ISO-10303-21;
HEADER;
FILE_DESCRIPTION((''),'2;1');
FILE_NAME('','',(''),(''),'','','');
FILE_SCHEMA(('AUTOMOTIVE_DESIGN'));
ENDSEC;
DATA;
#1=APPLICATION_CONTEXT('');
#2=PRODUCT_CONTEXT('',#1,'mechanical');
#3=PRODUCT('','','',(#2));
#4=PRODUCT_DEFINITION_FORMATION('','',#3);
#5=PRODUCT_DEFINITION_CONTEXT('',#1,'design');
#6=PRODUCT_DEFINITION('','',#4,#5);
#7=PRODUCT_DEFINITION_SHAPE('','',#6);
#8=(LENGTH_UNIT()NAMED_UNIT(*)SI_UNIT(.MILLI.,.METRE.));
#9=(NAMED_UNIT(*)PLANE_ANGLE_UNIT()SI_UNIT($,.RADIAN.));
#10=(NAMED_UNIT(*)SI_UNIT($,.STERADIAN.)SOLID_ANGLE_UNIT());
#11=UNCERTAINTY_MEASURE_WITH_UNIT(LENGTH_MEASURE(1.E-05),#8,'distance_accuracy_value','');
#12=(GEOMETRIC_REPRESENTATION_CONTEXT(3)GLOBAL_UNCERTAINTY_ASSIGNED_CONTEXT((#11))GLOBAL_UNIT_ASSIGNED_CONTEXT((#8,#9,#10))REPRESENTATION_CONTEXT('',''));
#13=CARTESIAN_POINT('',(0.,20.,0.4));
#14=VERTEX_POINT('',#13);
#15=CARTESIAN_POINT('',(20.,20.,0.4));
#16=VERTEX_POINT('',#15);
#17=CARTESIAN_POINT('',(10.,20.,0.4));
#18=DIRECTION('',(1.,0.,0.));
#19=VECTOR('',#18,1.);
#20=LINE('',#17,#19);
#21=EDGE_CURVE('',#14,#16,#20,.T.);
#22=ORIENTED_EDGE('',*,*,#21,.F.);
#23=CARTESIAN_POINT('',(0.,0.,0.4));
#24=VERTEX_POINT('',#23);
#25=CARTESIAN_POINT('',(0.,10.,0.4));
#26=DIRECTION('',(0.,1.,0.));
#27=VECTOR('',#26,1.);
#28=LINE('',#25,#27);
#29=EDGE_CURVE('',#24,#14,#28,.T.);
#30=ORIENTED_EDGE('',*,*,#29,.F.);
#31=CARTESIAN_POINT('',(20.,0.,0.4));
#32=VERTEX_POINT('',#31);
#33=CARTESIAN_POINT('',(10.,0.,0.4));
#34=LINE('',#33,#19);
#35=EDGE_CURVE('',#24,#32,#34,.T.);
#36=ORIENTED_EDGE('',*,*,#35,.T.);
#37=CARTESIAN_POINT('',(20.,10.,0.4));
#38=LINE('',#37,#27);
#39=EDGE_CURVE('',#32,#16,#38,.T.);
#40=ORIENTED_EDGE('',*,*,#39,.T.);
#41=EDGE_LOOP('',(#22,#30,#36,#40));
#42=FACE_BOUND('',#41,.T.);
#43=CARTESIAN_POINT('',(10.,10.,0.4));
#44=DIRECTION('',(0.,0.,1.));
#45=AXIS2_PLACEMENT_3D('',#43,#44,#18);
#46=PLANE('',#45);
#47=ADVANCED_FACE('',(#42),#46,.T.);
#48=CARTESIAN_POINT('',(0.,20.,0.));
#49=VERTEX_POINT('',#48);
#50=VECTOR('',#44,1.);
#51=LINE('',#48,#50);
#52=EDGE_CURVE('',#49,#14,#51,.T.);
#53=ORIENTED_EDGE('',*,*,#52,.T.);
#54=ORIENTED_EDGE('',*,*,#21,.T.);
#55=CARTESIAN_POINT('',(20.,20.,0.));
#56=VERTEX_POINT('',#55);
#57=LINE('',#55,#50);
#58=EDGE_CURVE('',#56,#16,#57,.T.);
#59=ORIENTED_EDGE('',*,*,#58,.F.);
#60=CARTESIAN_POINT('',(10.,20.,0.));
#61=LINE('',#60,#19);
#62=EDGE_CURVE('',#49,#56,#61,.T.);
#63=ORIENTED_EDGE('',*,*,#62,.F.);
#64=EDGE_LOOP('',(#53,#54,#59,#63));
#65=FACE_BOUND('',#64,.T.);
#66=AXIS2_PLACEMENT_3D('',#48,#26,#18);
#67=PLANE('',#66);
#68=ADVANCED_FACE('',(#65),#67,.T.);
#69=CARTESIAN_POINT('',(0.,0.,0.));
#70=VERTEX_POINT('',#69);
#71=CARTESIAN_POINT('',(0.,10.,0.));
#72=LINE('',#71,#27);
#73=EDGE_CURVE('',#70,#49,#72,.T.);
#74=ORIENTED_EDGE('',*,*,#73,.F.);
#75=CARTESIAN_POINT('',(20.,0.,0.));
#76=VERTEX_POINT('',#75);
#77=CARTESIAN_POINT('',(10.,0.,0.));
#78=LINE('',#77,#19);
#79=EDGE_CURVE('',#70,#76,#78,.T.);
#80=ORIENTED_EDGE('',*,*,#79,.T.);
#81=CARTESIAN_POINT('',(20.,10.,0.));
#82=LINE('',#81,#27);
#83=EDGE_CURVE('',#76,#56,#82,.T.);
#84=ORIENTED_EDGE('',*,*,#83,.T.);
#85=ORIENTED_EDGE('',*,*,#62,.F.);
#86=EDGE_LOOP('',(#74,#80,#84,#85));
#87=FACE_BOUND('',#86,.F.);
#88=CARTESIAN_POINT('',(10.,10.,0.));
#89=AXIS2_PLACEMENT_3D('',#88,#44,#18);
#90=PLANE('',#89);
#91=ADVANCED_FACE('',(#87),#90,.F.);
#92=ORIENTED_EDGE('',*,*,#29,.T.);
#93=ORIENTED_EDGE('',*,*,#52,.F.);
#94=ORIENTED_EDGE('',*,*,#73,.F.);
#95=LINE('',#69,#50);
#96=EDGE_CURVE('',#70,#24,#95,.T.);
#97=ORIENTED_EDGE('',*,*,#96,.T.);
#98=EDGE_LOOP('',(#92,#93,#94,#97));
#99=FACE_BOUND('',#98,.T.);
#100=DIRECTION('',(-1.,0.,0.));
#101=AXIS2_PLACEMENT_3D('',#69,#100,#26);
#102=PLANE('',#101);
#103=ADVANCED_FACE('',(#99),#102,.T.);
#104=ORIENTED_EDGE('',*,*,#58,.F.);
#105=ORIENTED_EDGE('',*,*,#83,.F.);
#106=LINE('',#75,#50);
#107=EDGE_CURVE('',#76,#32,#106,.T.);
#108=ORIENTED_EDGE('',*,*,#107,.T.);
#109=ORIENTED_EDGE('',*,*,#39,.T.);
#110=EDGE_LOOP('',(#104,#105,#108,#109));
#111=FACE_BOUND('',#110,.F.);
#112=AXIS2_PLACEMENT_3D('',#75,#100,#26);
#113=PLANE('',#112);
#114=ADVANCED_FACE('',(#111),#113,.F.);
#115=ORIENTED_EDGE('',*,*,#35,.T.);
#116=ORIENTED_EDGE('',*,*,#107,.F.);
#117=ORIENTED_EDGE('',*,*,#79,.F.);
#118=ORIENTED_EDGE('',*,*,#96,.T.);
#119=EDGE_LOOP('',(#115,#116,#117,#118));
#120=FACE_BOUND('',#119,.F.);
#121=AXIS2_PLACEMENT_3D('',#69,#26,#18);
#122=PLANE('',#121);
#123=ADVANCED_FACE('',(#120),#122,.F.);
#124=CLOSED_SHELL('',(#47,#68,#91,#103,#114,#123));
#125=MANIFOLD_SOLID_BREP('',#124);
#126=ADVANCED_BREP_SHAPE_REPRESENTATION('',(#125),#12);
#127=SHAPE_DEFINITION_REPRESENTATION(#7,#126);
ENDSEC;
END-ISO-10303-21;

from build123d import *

# Parameters (mm, degrees)
BOX_W     = 20
BOX_H     = 20
BOX_DEPTH = 0.4


with BuildPart() as part:
    # Box → Box (new body)
    with BuildSketch(Plane.XY):
        with Locations((10, 10)):
            Rectangle(BOX_W, BOX_H)
    extrude(amount=BOX_DEPTH)


solid = part.part
